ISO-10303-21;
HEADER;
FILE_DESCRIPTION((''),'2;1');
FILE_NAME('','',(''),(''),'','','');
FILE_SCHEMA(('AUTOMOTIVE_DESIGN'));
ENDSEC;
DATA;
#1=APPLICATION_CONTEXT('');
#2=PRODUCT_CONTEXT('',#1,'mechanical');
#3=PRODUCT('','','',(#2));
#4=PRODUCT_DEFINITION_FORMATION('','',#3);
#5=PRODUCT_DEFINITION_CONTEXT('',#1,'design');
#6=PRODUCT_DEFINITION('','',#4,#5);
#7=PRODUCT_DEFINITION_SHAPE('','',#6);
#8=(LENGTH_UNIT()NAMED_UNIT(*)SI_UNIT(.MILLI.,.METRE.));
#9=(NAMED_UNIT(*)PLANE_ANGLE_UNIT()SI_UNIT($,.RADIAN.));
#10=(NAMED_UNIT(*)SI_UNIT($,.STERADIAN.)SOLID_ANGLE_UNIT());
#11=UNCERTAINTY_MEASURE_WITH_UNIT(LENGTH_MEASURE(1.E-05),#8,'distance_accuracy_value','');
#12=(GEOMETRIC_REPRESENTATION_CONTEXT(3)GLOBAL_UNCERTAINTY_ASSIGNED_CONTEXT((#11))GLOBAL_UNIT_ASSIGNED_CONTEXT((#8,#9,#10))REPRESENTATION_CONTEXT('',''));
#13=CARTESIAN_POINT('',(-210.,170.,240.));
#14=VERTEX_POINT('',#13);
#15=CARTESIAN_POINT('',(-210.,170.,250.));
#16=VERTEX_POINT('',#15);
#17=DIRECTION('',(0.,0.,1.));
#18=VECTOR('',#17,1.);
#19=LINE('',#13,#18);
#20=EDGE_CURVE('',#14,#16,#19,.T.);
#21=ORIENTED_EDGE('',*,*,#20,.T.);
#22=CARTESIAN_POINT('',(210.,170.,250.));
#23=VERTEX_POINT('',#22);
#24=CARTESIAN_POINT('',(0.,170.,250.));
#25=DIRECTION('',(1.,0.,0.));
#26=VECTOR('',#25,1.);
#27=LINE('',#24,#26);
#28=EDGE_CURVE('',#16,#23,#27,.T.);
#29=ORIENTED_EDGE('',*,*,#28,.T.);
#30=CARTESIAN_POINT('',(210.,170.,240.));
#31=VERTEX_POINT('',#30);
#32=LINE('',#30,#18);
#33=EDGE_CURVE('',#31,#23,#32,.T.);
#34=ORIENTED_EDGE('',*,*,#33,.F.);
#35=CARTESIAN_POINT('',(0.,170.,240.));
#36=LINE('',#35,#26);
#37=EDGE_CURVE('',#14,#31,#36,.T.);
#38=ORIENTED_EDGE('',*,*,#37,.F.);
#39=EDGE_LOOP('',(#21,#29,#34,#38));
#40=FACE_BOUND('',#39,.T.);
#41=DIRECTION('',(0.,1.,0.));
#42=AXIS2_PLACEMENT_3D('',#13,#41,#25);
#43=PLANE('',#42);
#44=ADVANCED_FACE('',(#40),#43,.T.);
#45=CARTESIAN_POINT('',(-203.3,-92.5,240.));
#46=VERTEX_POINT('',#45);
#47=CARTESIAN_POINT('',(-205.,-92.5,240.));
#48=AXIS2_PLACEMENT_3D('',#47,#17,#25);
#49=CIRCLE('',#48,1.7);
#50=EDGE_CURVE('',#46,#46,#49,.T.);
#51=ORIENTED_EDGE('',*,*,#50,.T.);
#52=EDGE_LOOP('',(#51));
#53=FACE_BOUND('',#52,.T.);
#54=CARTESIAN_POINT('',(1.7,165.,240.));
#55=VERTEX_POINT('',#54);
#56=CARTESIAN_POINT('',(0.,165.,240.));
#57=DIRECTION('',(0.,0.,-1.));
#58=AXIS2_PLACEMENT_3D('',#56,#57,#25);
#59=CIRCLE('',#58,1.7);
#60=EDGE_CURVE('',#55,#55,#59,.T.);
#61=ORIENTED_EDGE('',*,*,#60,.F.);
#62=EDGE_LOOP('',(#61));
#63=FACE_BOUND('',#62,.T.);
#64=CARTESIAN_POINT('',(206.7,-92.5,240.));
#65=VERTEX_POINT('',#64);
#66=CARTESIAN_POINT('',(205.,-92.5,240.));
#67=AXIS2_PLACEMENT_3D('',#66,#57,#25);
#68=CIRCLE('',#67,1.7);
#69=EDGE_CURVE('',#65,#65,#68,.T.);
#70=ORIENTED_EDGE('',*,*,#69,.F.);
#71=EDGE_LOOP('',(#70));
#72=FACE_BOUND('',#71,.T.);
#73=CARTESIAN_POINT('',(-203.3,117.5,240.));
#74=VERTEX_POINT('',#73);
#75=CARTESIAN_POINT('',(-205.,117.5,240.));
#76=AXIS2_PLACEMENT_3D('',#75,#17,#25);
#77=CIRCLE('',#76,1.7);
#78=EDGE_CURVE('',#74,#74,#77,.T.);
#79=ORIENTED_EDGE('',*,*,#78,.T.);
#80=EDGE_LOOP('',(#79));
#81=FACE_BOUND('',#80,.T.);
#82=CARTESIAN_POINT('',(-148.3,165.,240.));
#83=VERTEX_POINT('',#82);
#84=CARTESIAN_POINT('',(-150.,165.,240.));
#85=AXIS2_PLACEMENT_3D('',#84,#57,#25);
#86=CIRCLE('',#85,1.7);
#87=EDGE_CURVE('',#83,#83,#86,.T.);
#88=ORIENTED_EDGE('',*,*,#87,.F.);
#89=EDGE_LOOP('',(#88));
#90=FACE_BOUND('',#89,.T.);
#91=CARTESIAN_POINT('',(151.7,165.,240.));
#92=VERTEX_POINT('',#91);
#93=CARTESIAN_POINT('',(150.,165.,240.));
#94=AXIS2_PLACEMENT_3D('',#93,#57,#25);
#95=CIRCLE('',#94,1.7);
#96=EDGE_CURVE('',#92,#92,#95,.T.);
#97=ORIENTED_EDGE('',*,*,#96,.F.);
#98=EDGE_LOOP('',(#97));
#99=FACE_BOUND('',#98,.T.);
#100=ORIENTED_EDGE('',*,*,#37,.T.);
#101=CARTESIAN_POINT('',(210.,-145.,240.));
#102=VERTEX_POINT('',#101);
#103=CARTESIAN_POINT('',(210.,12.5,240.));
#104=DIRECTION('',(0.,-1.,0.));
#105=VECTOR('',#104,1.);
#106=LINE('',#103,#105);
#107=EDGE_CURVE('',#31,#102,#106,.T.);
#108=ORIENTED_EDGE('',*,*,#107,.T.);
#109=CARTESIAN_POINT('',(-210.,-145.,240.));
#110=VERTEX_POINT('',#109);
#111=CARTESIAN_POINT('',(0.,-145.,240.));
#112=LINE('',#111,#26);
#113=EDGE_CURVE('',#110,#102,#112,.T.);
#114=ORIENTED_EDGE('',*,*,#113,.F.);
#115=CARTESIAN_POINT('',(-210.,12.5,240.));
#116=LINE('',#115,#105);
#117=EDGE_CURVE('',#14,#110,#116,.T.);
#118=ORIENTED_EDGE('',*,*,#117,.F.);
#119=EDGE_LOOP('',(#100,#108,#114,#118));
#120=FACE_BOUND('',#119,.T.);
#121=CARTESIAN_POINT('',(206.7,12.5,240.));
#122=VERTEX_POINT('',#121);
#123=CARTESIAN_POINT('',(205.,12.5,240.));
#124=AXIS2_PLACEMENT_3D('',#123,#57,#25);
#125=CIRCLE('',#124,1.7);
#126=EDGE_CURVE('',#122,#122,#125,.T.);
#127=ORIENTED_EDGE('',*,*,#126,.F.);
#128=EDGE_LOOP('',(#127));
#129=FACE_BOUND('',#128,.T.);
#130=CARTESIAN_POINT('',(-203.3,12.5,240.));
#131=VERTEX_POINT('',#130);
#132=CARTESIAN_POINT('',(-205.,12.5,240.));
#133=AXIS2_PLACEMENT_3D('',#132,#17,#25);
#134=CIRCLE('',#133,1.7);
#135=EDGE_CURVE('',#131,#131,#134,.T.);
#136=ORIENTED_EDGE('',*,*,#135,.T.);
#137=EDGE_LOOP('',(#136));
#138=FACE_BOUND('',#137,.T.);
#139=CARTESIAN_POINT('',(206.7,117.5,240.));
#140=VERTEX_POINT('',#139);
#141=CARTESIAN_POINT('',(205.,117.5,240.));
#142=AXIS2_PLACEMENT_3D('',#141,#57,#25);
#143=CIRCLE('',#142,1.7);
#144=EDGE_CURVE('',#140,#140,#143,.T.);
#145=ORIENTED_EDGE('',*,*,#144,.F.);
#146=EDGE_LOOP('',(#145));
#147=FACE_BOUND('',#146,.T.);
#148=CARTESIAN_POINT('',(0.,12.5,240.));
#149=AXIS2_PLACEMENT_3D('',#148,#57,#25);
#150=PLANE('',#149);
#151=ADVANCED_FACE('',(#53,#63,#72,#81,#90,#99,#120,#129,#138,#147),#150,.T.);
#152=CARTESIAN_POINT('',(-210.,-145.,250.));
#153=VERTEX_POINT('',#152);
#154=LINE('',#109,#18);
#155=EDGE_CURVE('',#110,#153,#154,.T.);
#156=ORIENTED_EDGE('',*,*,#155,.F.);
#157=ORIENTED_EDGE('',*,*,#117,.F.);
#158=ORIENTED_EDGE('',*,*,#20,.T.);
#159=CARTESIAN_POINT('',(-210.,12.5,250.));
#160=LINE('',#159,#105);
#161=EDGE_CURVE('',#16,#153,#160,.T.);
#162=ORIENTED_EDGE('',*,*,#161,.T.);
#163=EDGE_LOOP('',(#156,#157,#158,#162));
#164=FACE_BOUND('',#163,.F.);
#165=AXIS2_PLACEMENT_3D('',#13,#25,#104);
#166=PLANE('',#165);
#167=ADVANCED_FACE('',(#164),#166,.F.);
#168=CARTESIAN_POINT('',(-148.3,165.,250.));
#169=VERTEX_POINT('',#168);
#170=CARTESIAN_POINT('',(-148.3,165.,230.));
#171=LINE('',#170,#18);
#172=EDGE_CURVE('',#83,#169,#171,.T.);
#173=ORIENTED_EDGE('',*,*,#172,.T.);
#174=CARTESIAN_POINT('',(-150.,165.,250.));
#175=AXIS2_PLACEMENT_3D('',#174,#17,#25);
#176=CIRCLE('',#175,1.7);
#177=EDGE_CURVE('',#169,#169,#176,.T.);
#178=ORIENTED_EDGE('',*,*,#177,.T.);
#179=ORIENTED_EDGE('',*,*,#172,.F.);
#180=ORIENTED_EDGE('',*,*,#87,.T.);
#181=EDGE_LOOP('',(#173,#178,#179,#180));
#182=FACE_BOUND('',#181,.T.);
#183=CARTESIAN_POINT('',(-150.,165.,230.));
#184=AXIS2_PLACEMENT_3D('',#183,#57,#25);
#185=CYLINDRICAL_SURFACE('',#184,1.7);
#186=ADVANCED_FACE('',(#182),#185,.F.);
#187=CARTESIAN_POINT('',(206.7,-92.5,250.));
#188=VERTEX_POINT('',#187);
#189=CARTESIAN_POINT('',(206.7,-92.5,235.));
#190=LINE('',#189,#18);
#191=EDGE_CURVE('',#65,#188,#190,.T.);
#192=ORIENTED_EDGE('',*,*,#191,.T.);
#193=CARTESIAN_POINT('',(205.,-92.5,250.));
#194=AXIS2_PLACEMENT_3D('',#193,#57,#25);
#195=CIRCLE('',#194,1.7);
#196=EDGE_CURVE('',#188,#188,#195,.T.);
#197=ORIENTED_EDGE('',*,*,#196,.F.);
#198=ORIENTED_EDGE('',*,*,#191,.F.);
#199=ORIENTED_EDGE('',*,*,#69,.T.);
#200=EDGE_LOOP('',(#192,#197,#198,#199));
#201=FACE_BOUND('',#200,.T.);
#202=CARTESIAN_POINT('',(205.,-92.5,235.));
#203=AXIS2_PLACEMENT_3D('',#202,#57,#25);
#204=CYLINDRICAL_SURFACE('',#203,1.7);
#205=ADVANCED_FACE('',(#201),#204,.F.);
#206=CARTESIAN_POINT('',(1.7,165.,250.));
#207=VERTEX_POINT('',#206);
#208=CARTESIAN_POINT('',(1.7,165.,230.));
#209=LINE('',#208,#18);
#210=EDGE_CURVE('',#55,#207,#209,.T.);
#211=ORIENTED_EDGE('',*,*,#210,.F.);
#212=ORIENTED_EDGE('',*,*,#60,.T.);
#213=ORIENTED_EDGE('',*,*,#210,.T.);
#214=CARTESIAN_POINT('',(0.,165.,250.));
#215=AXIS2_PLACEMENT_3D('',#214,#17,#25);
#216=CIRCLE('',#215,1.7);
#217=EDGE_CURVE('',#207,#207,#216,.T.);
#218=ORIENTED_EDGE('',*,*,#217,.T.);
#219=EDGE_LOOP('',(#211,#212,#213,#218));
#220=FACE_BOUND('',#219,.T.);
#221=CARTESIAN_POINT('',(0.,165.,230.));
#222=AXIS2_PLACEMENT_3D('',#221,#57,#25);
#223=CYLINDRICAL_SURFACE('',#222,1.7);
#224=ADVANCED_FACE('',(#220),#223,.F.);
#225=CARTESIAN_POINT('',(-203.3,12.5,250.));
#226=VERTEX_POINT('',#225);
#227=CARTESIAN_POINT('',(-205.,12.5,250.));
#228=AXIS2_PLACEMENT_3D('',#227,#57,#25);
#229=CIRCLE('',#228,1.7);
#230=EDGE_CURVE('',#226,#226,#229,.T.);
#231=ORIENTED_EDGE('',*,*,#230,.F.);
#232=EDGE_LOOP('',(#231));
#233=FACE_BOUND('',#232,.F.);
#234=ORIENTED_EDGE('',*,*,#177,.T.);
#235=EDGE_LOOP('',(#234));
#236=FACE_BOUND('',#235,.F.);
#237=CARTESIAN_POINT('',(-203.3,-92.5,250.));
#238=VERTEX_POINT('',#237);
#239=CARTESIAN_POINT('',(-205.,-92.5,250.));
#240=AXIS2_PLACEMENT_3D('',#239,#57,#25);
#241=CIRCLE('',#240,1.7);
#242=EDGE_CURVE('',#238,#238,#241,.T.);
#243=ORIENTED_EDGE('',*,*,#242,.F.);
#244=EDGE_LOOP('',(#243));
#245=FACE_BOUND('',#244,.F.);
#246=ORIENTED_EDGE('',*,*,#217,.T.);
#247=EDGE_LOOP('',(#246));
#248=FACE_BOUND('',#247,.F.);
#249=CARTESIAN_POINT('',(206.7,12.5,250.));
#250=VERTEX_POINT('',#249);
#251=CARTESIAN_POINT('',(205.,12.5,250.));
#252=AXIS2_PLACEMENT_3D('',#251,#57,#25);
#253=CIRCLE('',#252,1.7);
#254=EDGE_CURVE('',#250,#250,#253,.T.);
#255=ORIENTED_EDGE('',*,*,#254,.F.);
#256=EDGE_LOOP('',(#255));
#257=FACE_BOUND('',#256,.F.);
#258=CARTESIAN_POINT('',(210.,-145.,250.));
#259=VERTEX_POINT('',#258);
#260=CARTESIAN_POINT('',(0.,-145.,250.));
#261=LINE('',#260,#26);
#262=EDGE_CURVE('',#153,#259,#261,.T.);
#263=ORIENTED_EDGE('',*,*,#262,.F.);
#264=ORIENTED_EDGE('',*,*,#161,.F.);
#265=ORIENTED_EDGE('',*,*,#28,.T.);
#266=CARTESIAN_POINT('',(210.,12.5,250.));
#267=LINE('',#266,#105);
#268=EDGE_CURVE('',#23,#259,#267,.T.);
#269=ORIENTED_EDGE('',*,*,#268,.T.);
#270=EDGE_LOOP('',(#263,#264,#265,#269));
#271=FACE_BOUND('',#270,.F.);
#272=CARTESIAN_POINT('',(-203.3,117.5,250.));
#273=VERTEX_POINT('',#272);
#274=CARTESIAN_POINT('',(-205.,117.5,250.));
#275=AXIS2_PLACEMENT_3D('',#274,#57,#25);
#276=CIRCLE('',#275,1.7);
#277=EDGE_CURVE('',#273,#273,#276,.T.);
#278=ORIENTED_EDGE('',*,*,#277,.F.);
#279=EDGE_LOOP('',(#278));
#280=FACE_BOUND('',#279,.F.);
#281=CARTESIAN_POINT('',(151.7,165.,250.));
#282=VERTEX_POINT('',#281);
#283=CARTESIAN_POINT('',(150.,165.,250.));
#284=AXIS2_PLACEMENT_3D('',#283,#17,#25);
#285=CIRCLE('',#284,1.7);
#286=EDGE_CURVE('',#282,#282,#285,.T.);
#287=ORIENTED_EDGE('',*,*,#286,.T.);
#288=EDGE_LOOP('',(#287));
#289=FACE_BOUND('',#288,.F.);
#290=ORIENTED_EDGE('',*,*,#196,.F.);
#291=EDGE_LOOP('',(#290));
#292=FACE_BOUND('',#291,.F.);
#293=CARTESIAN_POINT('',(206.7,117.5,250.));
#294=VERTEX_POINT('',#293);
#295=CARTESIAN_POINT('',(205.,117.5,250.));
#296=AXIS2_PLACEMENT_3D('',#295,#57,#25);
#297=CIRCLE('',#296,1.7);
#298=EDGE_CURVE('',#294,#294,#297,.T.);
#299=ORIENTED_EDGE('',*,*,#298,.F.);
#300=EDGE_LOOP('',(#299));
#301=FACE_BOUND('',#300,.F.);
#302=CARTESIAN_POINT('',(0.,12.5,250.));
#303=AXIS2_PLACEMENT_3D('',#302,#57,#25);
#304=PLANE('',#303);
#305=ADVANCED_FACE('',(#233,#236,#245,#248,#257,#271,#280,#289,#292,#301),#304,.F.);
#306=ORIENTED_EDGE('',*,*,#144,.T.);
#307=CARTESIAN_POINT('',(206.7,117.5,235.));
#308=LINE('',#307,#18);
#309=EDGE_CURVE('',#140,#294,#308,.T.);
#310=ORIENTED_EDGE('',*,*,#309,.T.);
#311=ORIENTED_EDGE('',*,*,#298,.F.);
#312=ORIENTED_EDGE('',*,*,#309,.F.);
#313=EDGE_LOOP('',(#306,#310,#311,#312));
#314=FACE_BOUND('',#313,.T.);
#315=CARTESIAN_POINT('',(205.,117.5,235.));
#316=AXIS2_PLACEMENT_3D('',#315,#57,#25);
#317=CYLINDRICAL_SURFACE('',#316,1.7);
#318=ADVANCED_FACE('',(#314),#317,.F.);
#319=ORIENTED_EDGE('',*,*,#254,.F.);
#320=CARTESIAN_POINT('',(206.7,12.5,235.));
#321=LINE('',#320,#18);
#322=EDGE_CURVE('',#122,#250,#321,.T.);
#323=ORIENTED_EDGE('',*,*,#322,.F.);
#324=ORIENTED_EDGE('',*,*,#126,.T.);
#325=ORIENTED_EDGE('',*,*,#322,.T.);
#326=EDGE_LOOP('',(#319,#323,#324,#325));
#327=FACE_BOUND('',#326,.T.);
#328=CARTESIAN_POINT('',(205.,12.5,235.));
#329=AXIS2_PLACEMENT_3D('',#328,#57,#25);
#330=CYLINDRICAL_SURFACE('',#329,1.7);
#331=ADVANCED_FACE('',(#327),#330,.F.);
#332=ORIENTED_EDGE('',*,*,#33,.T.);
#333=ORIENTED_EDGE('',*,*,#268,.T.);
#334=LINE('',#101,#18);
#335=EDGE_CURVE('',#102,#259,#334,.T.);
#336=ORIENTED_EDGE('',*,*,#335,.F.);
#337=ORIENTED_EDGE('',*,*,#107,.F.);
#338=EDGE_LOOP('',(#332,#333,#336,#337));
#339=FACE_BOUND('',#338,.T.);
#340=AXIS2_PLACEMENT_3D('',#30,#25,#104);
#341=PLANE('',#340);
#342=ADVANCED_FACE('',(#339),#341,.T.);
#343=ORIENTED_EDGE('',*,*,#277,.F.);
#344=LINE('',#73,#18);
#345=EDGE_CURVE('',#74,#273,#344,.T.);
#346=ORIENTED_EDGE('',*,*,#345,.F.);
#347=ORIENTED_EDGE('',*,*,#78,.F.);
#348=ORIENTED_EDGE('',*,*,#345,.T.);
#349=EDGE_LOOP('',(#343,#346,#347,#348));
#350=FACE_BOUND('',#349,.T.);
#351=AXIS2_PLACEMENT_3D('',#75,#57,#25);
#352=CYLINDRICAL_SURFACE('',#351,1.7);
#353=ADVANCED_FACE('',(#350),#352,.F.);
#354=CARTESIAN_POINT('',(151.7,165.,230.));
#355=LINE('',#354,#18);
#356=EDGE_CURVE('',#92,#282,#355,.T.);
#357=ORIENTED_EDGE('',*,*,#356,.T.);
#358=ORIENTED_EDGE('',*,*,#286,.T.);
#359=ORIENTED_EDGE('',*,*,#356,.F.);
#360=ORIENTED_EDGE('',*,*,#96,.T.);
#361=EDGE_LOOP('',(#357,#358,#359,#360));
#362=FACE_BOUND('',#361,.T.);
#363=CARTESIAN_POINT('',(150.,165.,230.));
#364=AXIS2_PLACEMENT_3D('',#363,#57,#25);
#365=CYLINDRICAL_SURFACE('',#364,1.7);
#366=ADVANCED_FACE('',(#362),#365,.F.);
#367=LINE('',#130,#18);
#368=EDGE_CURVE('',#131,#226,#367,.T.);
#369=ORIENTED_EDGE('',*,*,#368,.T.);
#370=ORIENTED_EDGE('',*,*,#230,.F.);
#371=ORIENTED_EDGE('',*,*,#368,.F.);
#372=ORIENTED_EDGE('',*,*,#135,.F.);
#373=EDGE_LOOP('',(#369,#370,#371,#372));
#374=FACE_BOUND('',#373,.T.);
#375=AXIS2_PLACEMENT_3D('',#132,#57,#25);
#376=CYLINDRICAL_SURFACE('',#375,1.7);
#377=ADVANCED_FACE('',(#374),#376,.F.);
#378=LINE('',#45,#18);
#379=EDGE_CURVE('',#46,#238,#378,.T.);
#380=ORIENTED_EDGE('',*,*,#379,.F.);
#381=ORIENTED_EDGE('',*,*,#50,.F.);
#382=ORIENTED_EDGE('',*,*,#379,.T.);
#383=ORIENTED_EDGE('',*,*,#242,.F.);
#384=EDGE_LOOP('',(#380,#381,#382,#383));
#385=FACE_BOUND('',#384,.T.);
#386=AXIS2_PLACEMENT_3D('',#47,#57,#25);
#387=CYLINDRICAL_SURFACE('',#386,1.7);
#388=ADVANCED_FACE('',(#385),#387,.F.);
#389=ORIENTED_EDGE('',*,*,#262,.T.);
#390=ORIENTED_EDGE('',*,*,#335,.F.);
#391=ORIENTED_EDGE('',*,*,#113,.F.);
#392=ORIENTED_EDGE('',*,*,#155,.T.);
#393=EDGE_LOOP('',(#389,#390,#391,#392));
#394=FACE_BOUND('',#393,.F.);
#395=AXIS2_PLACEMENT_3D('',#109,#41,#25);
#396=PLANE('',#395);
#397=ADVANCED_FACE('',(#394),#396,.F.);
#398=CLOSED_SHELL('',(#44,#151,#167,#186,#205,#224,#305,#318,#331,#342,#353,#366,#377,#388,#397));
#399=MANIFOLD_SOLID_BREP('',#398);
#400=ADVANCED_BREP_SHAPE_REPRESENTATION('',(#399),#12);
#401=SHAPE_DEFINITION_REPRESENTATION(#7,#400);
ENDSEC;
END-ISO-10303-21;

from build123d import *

# Parameters (mm, degrees)
CYLINDER072_R     = 1.7
CYLINDER072_DEPTH = 20
CYLINDER073_R     = 1.7
CYLINDER073_DEPTH = 20
CYLINDER069_R     = 1.7
CYLINDER069_DEPTH = 20
CYLINDER071_R     = 1.7
CYLINDER071_DEPTH = 20
CYLINDER070_R     = 1.7
CYLINDER070_DEPTH = 20
SKETCH036_R       = 1.7
PAD034_DEPTH      = 20
CYLINDER068_R     = 1.7
CYLINDER068_DEPTH = 20
SKETCH035_W       = 420
SKETCH035_H       = 315
PAD033_DEPTH      = 10


with BuildPart() as cylinder072:
    # Cylinder072 → Cylinder072 (new body)
    with BuildSketch(Plane(origin=(205, 117.5, 235), x_dir=(1, 0, 0), z_dir=(0, 0, 1))):
        Circle(CYLINDER072_R)
    extrude(amount=CYLINDER072_DEPTH)


with BuildPart() as cylinder073:
    # Cylinder073 → Cylinder073 (new body)
    with BuildSketch(Plane(origin=(205, -92.5, 235), x_dir=(1, 0, 0), z_dir=(0, 0, 1))):
        Circle(CYLINDER073_R)
    extrude(amount=CYLINDER073_DEPTH)


with BuildPart() as cylinder069:
    # Cylinder069 → Cylinder069 (new body)
    with BuildSketch(Plane(origin=(-205, 117.5, 240), x_dir=(1, 0, 0), z_dir=(0, 0, 1))):
        Circle(CYLINDER069_R)
    extrude(amount=CYLINDER069_DEPTH)


with BuildPart() as cylinder071:
    # Cylinder071 → Cylinder071 (new body)
    with BuildSketch(Plane(origin=(205, 12.5, 235), x_dir=(1, 0, 0), z_dir=(0, 0, 1))):
        Circle(CYLINDER071_R)
    extrude(amount=CYLINDER071_DEPTH)


with BuildPart() as cylinder070:
    # Cylinder070 → Cylinder070 (new body)
    with BuildSketch(Plane(origin=(-205, 12.5, 240), x_dir=(1, 0, 0), z_dir=(0, 0, 1))):
        Circle(CYLINDER070_R)
    extrude(amount=CYLINDER070_DEPTH)


with BuildPart() as pad034:
    # Sketch036 → Pad034 (new body)
    with BuildSketch(Plane(origin=(0, -75, 230), x_dir=(1, 0, 0), z_dir=(0, 0, 1))):
        with Locations((-150, 240)):
            Circle(SKETCH036_R)
        with Locations((150, 240)):
            Circle(SKETCH036_R)
        with Locations((0, 240)):
            Circle(SKETCH036_R)
    extrude(amount=PAD034_DEPTH)


with BuildPart() as fusion029:
    # Cylinder068 → Cylinder068 (new body)
    with BuildSketch(Plane(origin=(-205, -92.5, 240), x_dir=(1, 0, 0), z_dir=(0, 0, 1))):
        Circle(CYLINDER068_R)
    extrude(amount=CYLINDER068_DEPTH)

    # Fusion029: union Cylinder072, Cylinder073, Cylinder069, Cylinder071, Cylinder070, Pad034
    add(cylinder072.part)
    add(cylinder073.part)
    add(cylinder069.part)
    add(cylinder071.part)
    add(cylinder070.part)
    add(pad034.part)


with BuildPart() as cut023:
    # Sketch035 → Pad033 (new body)
    with BuildSketch(Plane(origin=(0, 0, 240), x_dir=(1, 0, 0), z_dir=(0, 0, -1))):
        with Locations((0, -12.5)):
            Rectangle(SKETCH035_W, SKETCH035_H)
    extrude(amount=-PAD033_DEPTH)

    # Cut023: cut Fusion029
    add(fusion029.part, mode=Mode.SUBTRACT)


solid = cut023.part
